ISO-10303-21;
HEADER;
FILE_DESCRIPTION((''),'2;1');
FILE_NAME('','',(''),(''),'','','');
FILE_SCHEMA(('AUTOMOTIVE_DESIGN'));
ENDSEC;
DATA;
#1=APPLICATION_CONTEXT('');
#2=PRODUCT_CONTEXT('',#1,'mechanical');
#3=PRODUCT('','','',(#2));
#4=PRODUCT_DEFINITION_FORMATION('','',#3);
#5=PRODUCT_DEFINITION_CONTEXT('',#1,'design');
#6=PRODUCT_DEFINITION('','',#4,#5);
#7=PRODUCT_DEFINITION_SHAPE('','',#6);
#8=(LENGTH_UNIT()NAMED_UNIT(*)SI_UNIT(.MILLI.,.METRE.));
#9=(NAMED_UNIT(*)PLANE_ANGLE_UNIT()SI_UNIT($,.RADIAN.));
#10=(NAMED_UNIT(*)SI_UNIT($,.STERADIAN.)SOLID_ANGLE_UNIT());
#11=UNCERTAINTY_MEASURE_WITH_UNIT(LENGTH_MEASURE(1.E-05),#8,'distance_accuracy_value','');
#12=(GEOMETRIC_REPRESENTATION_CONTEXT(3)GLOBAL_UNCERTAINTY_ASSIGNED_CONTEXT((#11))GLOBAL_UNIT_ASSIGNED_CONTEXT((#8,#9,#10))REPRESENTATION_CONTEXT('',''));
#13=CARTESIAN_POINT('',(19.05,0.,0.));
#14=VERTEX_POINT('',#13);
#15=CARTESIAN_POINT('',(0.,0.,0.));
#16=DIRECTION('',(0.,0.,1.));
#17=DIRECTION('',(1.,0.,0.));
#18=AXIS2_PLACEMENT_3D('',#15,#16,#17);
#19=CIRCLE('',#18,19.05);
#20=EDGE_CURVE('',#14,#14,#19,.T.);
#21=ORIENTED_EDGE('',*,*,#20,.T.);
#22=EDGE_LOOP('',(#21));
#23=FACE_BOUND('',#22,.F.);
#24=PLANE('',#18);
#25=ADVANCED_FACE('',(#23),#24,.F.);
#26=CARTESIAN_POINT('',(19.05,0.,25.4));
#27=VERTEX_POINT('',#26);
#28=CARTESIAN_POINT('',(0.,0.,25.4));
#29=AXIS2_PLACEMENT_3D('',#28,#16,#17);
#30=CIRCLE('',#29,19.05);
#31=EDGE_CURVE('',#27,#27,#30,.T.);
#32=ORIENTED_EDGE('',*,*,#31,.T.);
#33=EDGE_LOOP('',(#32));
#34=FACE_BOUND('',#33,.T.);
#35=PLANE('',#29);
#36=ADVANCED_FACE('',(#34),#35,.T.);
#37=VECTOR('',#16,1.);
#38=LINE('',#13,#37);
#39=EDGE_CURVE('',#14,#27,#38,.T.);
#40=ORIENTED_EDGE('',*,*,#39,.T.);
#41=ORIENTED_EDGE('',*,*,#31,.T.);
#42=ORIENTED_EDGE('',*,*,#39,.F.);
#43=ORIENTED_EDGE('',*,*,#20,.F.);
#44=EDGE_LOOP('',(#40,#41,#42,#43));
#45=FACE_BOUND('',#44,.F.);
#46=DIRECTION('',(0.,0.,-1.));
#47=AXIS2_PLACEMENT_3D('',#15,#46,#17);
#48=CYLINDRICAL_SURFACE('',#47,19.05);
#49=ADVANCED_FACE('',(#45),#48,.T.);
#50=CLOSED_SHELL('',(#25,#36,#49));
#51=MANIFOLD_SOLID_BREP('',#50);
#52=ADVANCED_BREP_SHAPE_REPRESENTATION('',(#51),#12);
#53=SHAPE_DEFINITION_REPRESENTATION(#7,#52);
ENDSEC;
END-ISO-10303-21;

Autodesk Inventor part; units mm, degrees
ref_plane "YZ Plane" through (0, 0, 0) normal (1, 0, 0) x (0, 1, 0)
ref_plane "XZ Plane" through (0, 0, 0) normal (0, 1, 0) x (-1, 0, 0)
ref_plane "XY Plane" through (0, 0, 0) normal (0, 0, 1) x (1, 0, 0)
sketch "Sketch1" plane through (0, 0, 0) normal (0, 0, 1) x (1, 0, 0)
  circle A0 centre (0, 0) radius 19.05
  dimension "d0" = 38.1
extrude "Extrusion1" add sketch "Sketch1" along normal blind 25.4
properties part number "BackLiftProtoPart6"
